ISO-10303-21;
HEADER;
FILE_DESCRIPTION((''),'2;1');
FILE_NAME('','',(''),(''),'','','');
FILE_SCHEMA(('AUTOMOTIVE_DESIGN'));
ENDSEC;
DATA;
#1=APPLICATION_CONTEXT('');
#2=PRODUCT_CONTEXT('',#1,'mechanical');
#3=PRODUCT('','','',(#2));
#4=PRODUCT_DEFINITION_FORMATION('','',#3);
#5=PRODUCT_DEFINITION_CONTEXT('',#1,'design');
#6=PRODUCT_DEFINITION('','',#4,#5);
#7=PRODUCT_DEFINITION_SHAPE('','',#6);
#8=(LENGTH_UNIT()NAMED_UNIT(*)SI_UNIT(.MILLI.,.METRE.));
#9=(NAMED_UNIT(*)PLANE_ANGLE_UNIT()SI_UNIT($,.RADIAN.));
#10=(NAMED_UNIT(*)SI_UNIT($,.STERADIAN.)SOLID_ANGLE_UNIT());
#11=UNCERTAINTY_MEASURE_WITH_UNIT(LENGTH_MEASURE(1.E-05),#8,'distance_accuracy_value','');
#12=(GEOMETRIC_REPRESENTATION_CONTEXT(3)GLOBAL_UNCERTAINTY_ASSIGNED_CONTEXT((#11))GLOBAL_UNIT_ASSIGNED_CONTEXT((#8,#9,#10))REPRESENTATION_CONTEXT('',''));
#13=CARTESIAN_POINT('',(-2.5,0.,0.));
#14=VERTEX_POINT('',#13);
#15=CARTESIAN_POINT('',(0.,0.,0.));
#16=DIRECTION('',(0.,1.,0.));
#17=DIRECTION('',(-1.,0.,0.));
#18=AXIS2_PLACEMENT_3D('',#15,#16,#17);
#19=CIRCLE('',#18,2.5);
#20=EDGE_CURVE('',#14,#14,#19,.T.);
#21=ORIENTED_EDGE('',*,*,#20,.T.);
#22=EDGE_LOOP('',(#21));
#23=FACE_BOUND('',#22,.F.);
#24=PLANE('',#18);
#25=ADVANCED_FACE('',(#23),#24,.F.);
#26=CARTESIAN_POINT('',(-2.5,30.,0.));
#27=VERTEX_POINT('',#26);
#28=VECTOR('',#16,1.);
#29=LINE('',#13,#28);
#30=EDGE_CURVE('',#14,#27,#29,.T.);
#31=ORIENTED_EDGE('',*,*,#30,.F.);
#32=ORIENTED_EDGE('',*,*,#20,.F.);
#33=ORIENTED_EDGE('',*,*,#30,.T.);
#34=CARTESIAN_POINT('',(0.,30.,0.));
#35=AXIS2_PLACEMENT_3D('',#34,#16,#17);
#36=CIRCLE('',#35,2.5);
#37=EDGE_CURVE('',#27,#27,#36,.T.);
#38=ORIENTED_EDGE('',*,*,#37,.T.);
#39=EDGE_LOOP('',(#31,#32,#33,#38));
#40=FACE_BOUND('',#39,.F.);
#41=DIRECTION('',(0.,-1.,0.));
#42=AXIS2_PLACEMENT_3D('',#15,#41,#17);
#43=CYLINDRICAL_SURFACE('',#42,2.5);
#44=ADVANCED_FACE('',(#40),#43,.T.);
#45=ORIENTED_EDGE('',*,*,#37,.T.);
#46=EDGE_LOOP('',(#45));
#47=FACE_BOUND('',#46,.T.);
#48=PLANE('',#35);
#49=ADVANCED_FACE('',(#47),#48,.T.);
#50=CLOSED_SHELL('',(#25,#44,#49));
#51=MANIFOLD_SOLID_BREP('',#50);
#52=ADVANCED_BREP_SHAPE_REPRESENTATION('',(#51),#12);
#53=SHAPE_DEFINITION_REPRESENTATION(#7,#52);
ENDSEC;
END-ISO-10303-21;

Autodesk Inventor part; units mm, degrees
ref_plane "YZ Plane" through (0, 0, 0) normal (1, 0, 0) x (0, 1, 0)
ref_plane "XZ Plane" through (0, 0, 0) normal (0, 1, 0) x (-1, 0, 0)
ref_plane "XY Plane" through (0, 0, 0) normal (0, 0, 1) x (1, 0, 0)
sketch "Sketch1" plane through (0, 0, 0) normal (0, 1, 0) x (-1, 0, 0)
  circle A0 centre (0, 0) radius 2.5
  dimension "d0" = 5
extrude "Extrusion1" add sketch "Sketch1" along normal blind 30
thread "Thread1" size "M5x0.8" class "6g" standard "ISO Metric profile" full length
properties part number "shaft_25mm"
